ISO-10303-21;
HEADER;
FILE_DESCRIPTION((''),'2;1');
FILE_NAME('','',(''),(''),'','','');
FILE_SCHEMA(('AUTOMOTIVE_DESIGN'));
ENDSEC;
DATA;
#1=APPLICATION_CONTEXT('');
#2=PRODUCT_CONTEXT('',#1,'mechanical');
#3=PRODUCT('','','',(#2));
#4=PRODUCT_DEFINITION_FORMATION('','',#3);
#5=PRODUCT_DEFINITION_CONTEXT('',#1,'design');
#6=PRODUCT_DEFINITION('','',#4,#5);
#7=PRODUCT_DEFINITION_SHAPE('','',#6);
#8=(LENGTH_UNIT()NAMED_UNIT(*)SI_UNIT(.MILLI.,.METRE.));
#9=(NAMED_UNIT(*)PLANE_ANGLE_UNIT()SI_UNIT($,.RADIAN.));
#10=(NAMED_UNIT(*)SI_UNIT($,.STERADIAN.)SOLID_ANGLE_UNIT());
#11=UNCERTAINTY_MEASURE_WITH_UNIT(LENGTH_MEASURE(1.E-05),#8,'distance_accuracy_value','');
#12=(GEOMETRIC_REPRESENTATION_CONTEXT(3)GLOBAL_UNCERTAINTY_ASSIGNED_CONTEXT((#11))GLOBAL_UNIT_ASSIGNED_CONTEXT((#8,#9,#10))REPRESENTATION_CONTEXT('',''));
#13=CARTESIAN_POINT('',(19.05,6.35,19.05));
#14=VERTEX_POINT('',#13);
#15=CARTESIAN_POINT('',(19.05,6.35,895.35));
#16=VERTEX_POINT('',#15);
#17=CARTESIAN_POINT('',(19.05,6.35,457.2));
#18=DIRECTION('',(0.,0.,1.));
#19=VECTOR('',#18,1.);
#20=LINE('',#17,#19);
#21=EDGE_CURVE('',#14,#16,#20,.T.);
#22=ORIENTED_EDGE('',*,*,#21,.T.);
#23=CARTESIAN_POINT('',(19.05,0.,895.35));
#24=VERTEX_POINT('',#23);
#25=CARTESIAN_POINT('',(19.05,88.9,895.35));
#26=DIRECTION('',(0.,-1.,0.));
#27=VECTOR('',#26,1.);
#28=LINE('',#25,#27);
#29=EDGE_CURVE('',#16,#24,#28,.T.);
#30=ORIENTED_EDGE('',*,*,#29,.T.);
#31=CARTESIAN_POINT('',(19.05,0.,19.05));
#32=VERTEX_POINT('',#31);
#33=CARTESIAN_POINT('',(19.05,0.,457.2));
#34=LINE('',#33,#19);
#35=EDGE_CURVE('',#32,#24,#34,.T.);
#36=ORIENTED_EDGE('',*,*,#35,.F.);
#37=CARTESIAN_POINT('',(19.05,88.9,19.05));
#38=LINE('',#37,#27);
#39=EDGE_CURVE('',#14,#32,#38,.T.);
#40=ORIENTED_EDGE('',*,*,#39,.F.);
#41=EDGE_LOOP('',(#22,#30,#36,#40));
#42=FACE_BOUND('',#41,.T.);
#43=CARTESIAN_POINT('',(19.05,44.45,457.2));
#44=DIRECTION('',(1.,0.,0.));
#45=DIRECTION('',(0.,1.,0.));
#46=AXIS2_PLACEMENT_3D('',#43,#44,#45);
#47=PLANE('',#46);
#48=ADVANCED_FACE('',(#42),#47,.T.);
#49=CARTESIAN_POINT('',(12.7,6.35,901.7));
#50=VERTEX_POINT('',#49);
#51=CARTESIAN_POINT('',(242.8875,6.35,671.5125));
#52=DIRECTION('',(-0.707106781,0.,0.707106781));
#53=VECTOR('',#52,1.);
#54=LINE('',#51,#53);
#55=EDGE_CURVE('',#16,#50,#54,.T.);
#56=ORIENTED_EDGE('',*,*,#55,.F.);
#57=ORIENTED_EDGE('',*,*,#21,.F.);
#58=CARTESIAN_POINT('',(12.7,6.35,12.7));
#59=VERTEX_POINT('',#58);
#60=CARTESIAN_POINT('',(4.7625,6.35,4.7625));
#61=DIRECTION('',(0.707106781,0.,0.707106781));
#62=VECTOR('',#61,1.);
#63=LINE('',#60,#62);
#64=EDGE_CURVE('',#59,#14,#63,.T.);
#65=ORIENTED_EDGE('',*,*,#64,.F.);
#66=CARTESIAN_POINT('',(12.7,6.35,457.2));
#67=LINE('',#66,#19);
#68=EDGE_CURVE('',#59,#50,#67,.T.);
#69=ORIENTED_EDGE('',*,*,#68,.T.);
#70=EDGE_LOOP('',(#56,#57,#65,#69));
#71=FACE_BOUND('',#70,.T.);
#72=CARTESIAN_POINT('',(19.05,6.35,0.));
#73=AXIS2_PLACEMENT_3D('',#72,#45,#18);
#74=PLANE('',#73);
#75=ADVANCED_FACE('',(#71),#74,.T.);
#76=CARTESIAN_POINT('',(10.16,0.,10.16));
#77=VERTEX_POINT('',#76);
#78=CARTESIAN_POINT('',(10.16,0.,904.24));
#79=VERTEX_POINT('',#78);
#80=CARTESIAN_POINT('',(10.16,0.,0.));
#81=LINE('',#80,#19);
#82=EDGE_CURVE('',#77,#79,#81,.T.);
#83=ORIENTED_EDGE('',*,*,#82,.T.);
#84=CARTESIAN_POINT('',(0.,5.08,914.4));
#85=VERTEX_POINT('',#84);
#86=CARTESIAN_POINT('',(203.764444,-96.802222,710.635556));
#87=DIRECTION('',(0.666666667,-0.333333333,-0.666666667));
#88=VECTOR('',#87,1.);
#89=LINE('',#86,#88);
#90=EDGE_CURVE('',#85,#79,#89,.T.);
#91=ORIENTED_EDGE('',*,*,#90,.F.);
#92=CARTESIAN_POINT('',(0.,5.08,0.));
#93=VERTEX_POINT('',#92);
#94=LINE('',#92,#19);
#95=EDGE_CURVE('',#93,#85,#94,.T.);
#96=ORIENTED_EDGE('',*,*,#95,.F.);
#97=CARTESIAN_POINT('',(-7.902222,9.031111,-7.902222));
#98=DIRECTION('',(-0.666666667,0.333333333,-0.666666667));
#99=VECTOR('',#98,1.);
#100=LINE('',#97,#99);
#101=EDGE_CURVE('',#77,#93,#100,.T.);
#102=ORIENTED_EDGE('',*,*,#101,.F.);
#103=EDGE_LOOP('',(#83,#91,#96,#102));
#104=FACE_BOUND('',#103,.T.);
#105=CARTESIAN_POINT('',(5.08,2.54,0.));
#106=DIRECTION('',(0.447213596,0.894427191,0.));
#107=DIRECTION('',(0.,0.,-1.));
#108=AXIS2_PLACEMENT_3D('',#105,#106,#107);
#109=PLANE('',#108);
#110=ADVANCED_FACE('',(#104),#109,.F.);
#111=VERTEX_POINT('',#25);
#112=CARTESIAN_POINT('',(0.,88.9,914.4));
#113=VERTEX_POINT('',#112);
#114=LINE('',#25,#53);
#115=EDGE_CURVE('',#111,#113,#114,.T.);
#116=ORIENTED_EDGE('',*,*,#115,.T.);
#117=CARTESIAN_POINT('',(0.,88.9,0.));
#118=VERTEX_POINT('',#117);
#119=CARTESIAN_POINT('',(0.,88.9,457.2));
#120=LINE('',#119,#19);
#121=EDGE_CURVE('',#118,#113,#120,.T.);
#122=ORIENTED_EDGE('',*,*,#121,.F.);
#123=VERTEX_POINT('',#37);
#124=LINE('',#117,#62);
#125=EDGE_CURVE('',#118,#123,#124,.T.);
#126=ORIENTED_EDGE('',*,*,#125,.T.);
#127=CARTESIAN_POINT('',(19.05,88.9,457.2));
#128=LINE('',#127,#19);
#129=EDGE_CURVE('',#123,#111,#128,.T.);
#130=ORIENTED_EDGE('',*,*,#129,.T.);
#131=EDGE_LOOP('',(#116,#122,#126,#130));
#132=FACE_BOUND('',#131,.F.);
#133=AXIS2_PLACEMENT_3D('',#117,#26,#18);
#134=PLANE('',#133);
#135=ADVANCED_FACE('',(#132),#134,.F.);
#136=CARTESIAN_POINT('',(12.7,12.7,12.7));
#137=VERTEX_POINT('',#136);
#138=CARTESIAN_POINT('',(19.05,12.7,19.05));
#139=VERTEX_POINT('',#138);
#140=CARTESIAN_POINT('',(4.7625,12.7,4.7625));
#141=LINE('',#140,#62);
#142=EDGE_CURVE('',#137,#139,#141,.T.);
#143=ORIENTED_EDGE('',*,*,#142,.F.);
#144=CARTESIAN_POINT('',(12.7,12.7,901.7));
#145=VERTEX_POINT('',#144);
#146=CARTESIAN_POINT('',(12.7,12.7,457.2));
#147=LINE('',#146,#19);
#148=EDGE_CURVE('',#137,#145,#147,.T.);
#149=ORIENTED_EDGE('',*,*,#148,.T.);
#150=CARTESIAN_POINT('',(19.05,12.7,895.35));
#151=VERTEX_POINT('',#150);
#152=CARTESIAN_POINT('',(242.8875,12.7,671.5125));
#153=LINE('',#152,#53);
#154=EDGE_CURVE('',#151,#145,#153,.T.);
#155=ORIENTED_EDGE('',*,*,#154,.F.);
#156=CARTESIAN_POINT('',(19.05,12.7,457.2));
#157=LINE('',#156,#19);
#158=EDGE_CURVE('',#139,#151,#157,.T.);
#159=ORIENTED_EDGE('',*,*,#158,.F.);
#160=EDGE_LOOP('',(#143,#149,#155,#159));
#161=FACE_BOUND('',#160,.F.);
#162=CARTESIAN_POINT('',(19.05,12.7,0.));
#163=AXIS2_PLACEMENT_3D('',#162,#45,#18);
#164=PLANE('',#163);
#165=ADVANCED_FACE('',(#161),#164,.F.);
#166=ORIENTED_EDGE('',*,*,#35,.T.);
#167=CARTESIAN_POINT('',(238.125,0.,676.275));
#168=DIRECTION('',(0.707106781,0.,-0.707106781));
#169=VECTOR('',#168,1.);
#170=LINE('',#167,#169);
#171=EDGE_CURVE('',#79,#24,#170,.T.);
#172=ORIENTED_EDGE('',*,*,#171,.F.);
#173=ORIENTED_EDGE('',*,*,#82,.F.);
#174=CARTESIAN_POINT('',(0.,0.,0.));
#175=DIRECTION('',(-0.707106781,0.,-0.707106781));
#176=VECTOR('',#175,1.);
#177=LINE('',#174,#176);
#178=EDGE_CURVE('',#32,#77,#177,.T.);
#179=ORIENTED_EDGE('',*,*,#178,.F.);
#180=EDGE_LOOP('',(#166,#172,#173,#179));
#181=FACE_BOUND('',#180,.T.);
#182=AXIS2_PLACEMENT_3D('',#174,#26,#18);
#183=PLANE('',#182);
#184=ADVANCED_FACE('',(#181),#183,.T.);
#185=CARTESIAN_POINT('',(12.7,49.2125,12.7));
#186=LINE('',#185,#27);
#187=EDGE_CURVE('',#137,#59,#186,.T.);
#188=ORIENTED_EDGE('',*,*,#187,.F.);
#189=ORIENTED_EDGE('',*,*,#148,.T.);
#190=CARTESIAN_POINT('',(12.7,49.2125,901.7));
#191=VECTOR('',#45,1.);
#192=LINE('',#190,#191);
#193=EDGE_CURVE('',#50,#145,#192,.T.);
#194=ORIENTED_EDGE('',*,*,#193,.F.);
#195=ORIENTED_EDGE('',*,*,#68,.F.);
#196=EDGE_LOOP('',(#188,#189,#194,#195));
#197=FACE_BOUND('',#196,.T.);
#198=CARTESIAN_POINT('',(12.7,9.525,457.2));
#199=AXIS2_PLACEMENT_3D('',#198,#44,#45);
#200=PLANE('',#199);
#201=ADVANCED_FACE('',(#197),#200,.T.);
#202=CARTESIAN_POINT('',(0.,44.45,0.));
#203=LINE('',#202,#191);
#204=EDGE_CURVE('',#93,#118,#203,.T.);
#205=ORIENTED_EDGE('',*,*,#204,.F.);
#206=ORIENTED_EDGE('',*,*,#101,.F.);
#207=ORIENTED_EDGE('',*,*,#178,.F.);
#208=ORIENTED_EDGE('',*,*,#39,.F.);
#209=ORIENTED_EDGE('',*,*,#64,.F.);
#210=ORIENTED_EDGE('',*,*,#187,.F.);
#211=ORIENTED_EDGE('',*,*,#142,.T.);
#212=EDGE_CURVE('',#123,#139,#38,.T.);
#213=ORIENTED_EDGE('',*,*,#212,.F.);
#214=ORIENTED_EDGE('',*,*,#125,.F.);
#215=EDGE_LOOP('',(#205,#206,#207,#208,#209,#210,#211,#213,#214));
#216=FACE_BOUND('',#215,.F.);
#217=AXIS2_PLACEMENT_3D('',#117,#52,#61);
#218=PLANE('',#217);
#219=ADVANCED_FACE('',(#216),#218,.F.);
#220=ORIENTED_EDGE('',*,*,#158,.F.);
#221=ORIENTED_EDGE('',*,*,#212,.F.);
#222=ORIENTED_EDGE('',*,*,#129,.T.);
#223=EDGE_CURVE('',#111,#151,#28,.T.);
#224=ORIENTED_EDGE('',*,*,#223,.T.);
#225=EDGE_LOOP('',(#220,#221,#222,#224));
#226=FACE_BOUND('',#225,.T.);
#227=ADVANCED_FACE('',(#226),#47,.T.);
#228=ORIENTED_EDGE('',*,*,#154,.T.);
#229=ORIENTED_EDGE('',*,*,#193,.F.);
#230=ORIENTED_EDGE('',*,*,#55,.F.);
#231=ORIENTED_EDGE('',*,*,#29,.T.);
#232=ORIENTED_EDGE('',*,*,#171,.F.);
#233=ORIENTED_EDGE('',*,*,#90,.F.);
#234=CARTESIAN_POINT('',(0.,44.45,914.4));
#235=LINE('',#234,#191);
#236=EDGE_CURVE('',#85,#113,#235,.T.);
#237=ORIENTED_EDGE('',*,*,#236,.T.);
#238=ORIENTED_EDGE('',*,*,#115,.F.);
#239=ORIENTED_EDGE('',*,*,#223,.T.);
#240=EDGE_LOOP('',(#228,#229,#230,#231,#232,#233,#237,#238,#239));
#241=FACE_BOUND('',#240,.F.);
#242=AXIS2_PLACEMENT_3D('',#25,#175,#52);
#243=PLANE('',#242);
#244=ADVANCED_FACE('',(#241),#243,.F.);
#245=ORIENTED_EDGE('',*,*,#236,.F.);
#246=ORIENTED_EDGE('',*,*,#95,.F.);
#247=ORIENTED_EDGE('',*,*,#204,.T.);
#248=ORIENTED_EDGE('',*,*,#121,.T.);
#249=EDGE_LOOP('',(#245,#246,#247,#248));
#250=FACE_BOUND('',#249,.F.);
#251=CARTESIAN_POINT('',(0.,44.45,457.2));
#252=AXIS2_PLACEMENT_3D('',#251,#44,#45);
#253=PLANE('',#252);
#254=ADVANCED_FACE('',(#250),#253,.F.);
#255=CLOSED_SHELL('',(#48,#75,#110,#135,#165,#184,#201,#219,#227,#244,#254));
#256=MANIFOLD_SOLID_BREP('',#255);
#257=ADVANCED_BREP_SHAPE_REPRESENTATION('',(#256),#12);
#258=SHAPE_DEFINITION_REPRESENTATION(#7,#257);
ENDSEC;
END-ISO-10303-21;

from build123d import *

# Parameters (mm, degrees)
F0_W     = 88.9
F0_H     = 914.4
F1_DEPTH = 19.05
F2_W     = 6.35
F2_H     = 914.4
F3_DEPTH = 6.35
F4_SIZE2 = 5.08
F4_SIZE  = 10.16
F6_DEPTH = 88.901


with BuildPart() as f1:
    # F0 (on Right) → F1 (new body)
    with BuildSketch(Plane.YZ):
        with Locations((44.45, 457.2)):
            Rectangle(F0_W, F0_H)
    extrude(amount=F1_DEPTH)

    # F2 (on face) → F3 (cut)
    with BuildSketch(Plane.YZ.offset(19.05)):
        with Locations((9.525, 457.2)):
            Rectangle(F2_W, F2_H)
    extrude(amount=-F3_DEPTH, mode=Mode.SUBTRACT)

    # F4
    f4_edges = [f1.edges().sort_by_distance(p)[0] for p in [
        (0, 0, 457.2),
    ]]
    chamfer(f4_edges, length=F4_SIZE, length2=F4_SIZE2)

    # F5 (on face) → F6 (cut, through all)
    with BuildSketch(Plane(origin=(0, 88.9, 0), x_dir=(-1, 0, 0), z_dir=(0, 1, 0))):
        Polygon((-19.05, 895.35), (0, 914.4), (-19.05, 914.4), align=None)
        Polygon((-19.05, 0), (0, 0), (-19.05, 19.05), align=None)
    extrude(amount=-F6_DEPTH, mode=Mode.SUBTRACT)


solid = f1.part
